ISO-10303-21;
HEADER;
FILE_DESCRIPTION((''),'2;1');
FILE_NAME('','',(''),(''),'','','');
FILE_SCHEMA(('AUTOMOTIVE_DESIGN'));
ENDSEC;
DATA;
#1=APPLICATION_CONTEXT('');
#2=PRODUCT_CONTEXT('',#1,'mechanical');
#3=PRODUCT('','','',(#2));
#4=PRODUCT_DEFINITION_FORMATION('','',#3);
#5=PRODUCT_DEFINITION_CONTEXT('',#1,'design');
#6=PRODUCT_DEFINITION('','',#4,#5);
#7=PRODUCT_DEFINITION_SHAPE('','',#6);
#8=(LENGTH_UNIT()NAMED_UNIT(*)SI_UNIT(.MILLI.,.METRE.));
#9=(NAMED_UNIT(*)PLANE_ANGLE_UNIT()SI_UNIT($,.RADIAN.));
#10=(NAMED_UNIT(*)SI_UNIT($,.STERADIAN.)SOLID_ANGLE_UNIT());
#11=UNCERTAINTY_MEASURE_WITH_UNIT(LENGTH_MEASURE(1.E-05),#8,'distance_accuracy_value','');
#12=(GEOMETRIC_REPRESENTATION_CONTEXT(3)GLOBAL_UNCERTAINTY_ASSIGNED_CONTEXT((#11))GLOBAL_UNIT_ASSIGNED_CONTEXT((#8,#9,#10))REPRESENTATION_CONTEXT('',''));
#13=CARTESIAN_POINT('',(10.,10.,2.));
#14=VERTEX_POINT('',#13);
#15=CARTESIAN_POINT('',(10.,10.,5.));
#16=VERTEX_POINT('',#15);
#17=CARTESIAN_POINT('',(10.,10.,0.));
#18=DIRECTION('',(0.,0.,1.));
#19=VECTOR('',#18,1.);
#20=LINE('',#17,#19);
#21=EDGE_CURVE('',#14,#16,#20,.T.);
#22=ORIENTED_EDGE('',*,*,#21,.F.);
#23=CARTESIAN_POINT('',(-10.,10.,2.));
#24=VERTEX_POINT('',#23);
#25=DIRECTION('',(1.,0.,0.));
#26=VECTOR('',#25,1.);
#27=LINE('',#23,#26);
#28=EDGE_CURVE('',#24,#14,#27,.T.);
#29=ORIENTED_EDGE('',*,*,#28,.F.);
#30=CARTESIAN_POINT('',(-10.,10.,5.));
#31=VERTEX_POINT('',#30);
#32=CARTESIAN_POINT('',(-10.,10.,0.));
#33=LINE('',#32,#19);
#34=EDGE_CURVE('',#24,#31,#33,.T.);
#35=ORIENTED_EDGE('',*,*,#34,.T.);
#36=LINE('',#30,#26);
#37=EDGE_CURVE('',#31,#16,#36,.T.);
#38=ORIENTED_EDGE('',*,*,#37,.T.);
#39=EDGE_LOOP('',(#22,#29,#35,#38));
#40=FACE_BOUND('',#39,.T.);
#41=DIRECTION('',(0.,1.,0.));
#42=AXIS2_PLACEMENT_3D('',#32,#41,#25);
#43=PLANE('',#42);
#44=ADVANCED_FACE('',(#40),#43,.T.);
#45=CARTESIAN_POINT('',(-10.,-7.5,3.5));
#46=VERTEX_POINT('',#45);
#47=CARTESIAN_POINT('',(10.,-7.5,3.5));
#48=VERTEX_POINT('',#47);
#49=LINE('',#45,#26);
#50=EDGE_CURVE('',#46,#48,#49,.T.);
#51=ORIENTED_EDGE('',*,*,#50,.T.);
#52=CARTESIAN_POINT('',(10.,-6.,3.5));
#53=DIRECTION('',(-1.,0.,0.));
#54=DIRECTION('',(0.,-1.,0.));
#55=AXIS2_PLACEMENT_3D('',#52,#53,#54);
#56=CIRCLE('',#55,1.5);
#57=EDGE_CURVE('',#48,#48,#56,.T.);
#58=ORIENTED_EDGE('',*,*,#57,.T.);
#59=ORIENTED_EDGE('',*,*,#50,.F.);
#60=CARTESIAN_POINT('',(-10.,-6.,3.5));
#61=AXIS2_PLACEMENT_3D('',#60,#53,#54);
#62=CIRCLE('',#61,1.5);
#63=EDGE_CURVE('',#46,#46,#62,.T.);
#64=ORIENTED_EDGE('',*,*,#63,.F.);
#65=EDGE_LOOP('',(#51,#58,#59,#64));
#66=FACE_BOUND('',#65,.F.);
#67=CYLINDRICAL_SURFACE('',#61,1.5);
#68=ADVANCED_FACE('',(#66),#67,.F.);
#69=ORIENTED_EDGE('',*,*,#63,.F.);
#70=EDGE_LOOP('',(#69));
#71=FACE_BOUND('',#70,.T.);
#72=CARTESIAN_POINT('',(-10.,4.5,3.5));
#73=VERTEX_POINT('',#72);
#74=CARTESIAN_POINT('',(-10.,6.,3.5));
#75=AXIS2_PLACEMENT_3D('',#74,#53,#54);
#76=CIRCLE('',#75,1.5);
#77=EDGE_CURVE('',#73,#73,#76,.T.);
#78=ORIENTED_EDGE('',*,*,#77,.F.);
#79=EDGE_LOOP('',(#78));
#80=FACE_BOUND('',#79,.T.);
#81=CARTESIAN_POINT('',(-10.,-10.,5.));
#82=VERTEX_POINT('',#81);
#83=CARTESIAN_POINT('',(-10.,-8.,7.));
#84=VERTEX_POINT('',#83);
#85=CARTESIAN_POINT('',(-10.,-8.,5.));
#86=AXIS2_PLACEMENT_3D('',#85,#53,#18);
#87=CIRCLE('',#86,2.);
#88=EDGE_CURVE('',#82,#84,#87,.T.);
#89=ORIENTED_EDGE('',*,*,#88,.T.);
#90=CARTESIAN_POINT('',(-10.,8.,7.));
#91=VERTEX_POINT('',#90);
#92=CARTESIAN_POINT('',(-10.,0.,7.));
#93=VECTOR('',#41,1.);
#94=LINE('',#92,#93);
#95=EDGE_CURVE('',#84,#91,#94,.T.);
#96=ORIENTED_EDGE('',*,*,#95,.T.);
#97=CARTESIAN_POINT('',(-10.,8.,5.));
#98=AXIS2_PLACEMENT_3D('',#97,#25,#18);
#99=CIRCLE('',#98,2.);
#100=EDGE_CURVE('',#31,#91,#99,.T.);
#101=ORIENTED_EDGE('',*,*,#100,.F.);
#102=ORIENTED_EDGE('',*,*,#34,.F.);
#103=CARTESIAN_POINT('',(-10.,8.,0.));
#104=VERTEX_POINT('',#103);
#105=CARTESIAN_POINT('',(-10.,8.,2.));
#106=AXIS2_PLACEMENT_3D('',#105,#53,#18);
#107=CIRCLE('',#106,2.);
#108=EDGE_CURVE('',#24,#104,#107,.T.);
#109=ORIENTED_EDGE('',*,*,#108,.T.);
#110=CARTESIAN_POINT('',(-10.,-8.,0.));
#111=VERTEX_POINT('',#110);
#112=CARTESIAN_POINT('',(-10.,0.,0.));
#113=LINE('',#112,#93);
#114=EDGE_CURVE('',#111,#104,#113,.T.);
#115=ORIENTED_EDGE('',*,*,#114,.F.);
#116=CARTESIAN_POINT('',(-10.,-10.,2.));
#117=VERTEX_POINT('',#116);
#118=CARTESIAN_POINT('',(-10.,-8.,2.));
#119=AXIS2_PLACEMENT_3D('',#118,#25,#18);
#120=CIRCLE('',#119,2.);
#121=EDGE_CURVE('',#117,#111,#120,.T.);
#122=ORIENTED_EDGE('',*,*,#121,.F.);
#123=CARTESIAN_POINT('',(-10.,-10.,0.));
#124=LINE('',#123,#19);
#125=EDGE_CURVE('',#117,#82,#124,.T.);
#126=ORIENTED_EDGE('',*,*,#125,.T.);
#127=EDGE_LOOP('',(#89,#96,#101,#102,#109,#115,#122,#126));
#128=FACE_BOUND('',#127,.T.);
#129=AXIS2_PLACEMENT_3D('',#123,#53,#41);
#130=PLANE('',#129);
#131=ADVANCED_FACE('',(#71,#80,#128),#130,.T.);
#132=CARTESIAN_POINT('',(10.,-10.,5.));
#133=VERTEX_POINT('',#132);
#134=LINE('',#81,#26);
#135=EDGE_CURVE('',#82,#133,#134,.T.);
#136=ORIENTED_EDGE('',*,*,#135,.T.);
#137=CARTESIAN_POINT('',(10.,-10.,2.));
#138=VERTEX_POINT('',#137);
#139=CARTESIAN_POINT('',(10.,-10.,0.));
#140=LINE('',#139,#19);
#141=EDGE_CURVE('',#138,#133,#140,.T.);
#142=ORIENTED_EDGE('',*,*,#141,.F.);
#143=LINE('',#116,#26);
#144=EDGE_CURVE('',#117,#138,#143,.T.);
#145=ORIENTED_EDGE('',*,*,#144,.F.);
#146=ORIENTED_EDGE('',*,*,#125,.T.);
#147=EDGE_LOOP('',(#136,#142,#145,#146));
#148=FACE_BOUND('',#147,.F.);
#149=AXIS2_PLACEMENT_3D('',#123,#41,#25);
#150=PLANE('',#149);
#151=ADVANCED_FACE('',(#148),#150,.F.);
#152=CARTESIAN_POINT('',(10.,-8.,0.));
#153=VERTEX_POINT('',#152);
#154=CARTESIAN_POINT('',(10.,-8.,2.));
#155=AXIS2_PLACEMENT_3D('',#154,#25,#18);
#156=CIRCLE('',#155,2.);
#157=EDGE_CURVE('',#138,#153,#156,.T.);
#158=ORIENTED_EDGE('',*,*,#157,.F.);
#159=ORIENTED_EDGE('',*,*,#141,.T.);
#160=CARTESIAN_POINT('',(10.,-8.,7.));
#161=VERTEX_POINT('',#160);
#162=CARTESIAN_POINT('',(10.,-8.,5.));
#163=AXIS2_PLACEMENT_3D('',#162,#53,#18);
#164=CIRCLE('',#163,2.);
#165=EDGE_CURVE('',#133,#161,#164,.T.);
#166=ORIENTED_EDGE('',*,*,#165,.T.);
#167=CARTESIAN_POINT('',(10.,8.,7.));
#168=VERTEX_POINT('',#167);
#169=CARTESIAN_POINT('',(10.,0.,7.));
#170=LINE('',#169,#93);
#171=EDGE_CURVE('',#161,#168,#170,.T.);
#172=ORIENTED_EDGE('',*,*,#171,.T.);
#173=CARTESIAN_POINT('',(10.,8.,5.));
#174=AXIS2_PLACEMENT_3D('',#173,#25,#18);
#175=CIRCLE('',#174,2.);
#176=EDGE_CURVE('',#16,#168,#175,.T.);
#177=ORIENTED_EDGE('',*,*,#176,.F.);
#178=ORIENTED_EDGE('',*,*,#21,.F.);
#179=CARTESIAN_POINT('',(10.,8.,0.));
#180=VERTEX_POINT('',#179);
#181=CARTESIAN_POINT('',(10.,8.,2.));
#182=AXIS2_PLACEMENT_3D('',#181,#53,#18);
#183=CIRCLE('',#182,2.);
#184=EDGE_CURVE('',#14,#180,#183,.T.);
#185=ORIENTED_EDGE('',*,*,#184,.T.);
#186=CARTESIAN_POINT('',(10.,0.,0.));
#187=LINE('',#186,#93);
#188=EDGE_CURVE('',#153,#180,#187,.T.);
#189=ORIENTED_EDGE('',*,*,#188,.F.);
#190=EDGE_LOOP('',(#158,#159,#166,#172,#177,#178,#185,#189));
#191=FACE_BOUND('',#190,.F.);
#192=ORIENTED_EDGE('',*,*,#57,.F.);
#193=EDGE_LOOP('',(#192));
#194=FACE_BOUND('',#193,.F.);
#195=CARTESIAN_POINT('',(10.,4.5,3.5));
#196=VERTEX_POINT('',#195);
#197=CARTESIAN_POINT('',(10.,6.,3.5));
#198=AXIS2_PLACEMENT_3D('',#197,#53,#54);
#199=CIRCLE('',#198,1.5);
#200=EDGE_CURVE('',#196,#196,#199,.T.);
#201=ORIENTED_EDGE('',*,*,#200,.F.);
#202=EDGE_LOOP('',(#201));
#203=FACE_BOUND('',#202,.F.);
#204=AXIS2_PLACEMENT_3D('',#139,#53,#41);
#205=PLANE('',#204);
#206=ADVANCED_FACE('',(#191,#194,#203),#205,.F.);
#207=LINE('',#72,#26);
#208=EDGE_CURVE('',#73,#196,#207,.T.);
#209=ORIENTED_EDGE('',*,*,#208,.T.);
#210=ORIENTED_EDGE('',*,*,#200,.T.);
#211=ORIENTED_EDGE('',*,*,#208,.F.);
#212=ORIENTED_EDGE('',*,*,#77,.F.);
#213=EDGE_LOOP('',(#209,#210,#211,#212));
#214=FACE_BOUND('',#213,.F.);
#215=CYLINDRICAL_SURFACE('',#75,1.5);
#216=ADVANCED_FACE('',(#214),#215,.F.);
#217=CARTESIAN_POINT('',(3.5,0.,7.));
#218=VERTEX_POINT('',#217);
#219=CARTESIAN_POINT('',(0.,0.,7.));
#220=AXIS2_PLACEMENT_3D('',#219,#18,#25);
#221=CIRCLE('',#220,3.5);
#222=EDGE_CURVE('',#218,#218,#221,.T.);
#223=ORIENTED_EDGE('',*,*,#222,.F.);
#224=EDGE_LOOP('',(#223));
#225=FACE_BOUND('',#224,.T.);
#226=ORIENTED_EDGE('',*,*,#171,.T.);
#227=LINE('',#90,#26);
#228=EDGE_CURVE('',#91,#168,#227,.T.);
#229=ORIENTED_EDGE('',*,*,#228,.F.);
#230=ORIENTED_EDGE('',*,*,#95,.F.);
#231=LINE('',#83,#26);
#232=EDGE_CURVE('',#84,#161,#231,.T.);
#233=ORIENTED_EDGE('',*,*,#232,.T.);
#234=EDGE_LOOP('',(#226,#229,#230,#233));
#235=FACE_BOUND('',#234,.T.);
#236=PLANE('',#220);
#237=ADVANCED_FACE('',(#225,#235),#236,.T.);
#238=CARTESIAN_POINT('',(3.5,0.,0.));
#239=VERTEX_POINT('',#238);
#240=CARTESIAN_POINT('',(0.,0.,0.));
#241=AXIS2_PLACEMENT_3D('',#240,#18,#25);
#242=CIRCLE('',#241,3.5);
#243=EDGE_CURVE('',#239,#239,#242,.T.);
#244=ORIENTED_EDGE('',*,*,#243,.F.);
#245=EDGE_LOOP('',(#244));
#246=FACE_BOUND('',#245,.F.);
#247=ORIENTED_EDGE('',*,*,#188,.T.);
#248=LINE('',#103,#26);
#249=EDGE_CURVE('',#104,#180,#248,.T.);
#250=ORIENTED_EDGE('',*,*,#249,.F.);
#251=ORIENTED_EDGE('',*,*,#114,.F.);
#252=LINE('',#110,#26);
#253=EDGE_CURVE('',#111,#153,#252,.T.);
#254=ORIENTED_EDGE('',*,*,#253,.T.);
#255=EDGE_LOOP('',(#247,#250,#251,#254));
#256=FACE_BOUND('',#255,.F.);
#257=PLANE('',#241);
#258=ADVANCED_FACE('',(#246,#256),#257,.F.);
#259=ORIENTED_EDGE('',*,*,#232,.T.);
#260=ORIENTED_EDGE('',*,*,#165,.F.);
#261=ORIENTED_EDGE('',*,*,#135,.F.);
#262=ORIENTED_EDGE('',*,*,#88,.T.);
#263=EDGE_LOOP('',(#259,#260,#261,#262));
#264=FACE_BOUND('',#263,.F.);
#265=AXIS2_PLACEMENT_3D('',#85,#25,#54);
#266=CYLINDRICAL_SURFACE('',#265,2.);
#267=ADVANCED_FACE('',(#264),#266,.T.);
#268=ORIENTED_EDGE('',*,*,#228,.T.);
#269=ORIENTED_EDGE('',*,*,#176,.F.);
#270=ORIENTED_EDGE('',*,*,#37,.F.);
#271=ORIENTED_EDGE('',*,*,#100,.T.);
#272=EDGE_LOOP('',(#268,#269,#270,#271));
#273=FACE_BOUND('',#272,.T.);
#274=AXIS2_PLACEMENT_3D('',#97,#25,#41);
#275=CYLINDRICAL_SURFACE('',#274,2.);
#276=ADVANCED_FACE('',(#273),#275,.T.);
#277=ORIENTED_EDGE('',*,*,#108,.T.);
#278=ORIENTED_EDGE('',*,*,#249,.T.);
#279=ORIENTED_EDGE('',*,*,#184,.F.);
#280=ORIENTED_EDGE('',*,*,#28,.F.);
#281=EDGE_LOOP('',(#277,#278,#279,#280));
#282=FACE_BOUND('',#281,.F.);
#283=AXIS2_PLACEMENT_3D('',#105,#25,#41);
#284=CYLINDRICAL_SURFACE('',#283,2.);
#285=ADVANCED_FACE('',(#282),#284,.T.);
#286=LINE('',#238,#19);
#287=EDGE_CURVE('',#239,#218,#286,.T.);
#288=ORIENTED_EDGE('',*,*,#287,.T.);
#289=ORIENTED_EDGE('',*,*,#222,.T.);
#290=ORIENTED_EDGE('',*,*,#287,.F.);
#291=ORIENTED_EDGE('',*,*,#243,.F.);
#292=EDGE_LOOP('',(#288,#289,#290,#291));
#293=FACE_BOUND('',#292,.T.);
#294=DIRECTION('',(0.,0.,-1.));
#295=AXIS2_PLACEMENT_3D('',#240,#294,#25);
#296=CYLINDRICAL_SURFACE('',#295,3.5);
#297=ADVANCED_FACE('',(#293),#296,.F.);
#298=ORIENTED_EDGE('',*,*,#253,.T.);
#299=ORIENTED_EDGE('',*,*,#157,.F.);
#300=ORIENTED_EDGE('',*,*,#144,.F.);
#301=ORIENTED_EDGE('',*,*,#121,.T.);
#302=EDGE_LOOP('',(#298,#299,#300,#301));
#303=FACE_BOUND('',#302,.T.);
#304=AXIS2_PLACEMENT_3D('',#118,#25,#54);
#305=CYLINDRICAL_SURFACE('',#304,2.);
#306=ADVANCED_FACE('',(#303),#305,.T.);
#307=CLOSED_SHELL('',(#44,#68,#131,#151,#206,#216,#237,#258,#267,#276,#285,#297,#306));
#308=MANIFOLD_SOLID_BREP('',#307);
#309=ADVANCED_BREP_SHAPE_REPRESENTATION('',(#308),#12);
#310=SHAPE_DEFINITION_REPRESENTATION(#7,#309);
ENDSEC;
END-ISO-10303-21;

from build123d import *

# Parameters (mm, degrees)
F0_W     = 20
F0_H     = 20
F0_R     = 3.5
F1_DEPTH = 7
F2_R     = 2
F3_R     = 1.5
F4_DEPTH = 25


with BuildPart() as f1:
    # F0 (on Top) → F1 (new body)
    with BuildSketch(Plane.XY):
        Rectangle(F0_W, F0_H)
        Circle(F0_R, mode=Mode.SUBTRACT)
    extrude(amount=F1_DEPTH)

    # F2
    f2_edges = [f1.edges().sort_by_distance(p)[0] for p in [
        (0, -10, 7),
        (0, -10, 0),
        (0, 10, 7),
        (0, 10, 0),
    ]]
    fillet(f2_edges, radius=F2_R)

    # F3 (on face) → F4 (cut)
    with BuildSketch(Plane(origin=(-10, 0, 0), x_dir=(0, -1, 0), z_dir=(-1, 0, 0))):
        with Locations((-6, 3.5)):
            Circle(F3_R)
        with Locations((6, 3.5)):
            Circle(F3_R)
    extrude(amount=-F4_DEPTH, mode=Mode.SUBTRACT)


solid = f1.part
